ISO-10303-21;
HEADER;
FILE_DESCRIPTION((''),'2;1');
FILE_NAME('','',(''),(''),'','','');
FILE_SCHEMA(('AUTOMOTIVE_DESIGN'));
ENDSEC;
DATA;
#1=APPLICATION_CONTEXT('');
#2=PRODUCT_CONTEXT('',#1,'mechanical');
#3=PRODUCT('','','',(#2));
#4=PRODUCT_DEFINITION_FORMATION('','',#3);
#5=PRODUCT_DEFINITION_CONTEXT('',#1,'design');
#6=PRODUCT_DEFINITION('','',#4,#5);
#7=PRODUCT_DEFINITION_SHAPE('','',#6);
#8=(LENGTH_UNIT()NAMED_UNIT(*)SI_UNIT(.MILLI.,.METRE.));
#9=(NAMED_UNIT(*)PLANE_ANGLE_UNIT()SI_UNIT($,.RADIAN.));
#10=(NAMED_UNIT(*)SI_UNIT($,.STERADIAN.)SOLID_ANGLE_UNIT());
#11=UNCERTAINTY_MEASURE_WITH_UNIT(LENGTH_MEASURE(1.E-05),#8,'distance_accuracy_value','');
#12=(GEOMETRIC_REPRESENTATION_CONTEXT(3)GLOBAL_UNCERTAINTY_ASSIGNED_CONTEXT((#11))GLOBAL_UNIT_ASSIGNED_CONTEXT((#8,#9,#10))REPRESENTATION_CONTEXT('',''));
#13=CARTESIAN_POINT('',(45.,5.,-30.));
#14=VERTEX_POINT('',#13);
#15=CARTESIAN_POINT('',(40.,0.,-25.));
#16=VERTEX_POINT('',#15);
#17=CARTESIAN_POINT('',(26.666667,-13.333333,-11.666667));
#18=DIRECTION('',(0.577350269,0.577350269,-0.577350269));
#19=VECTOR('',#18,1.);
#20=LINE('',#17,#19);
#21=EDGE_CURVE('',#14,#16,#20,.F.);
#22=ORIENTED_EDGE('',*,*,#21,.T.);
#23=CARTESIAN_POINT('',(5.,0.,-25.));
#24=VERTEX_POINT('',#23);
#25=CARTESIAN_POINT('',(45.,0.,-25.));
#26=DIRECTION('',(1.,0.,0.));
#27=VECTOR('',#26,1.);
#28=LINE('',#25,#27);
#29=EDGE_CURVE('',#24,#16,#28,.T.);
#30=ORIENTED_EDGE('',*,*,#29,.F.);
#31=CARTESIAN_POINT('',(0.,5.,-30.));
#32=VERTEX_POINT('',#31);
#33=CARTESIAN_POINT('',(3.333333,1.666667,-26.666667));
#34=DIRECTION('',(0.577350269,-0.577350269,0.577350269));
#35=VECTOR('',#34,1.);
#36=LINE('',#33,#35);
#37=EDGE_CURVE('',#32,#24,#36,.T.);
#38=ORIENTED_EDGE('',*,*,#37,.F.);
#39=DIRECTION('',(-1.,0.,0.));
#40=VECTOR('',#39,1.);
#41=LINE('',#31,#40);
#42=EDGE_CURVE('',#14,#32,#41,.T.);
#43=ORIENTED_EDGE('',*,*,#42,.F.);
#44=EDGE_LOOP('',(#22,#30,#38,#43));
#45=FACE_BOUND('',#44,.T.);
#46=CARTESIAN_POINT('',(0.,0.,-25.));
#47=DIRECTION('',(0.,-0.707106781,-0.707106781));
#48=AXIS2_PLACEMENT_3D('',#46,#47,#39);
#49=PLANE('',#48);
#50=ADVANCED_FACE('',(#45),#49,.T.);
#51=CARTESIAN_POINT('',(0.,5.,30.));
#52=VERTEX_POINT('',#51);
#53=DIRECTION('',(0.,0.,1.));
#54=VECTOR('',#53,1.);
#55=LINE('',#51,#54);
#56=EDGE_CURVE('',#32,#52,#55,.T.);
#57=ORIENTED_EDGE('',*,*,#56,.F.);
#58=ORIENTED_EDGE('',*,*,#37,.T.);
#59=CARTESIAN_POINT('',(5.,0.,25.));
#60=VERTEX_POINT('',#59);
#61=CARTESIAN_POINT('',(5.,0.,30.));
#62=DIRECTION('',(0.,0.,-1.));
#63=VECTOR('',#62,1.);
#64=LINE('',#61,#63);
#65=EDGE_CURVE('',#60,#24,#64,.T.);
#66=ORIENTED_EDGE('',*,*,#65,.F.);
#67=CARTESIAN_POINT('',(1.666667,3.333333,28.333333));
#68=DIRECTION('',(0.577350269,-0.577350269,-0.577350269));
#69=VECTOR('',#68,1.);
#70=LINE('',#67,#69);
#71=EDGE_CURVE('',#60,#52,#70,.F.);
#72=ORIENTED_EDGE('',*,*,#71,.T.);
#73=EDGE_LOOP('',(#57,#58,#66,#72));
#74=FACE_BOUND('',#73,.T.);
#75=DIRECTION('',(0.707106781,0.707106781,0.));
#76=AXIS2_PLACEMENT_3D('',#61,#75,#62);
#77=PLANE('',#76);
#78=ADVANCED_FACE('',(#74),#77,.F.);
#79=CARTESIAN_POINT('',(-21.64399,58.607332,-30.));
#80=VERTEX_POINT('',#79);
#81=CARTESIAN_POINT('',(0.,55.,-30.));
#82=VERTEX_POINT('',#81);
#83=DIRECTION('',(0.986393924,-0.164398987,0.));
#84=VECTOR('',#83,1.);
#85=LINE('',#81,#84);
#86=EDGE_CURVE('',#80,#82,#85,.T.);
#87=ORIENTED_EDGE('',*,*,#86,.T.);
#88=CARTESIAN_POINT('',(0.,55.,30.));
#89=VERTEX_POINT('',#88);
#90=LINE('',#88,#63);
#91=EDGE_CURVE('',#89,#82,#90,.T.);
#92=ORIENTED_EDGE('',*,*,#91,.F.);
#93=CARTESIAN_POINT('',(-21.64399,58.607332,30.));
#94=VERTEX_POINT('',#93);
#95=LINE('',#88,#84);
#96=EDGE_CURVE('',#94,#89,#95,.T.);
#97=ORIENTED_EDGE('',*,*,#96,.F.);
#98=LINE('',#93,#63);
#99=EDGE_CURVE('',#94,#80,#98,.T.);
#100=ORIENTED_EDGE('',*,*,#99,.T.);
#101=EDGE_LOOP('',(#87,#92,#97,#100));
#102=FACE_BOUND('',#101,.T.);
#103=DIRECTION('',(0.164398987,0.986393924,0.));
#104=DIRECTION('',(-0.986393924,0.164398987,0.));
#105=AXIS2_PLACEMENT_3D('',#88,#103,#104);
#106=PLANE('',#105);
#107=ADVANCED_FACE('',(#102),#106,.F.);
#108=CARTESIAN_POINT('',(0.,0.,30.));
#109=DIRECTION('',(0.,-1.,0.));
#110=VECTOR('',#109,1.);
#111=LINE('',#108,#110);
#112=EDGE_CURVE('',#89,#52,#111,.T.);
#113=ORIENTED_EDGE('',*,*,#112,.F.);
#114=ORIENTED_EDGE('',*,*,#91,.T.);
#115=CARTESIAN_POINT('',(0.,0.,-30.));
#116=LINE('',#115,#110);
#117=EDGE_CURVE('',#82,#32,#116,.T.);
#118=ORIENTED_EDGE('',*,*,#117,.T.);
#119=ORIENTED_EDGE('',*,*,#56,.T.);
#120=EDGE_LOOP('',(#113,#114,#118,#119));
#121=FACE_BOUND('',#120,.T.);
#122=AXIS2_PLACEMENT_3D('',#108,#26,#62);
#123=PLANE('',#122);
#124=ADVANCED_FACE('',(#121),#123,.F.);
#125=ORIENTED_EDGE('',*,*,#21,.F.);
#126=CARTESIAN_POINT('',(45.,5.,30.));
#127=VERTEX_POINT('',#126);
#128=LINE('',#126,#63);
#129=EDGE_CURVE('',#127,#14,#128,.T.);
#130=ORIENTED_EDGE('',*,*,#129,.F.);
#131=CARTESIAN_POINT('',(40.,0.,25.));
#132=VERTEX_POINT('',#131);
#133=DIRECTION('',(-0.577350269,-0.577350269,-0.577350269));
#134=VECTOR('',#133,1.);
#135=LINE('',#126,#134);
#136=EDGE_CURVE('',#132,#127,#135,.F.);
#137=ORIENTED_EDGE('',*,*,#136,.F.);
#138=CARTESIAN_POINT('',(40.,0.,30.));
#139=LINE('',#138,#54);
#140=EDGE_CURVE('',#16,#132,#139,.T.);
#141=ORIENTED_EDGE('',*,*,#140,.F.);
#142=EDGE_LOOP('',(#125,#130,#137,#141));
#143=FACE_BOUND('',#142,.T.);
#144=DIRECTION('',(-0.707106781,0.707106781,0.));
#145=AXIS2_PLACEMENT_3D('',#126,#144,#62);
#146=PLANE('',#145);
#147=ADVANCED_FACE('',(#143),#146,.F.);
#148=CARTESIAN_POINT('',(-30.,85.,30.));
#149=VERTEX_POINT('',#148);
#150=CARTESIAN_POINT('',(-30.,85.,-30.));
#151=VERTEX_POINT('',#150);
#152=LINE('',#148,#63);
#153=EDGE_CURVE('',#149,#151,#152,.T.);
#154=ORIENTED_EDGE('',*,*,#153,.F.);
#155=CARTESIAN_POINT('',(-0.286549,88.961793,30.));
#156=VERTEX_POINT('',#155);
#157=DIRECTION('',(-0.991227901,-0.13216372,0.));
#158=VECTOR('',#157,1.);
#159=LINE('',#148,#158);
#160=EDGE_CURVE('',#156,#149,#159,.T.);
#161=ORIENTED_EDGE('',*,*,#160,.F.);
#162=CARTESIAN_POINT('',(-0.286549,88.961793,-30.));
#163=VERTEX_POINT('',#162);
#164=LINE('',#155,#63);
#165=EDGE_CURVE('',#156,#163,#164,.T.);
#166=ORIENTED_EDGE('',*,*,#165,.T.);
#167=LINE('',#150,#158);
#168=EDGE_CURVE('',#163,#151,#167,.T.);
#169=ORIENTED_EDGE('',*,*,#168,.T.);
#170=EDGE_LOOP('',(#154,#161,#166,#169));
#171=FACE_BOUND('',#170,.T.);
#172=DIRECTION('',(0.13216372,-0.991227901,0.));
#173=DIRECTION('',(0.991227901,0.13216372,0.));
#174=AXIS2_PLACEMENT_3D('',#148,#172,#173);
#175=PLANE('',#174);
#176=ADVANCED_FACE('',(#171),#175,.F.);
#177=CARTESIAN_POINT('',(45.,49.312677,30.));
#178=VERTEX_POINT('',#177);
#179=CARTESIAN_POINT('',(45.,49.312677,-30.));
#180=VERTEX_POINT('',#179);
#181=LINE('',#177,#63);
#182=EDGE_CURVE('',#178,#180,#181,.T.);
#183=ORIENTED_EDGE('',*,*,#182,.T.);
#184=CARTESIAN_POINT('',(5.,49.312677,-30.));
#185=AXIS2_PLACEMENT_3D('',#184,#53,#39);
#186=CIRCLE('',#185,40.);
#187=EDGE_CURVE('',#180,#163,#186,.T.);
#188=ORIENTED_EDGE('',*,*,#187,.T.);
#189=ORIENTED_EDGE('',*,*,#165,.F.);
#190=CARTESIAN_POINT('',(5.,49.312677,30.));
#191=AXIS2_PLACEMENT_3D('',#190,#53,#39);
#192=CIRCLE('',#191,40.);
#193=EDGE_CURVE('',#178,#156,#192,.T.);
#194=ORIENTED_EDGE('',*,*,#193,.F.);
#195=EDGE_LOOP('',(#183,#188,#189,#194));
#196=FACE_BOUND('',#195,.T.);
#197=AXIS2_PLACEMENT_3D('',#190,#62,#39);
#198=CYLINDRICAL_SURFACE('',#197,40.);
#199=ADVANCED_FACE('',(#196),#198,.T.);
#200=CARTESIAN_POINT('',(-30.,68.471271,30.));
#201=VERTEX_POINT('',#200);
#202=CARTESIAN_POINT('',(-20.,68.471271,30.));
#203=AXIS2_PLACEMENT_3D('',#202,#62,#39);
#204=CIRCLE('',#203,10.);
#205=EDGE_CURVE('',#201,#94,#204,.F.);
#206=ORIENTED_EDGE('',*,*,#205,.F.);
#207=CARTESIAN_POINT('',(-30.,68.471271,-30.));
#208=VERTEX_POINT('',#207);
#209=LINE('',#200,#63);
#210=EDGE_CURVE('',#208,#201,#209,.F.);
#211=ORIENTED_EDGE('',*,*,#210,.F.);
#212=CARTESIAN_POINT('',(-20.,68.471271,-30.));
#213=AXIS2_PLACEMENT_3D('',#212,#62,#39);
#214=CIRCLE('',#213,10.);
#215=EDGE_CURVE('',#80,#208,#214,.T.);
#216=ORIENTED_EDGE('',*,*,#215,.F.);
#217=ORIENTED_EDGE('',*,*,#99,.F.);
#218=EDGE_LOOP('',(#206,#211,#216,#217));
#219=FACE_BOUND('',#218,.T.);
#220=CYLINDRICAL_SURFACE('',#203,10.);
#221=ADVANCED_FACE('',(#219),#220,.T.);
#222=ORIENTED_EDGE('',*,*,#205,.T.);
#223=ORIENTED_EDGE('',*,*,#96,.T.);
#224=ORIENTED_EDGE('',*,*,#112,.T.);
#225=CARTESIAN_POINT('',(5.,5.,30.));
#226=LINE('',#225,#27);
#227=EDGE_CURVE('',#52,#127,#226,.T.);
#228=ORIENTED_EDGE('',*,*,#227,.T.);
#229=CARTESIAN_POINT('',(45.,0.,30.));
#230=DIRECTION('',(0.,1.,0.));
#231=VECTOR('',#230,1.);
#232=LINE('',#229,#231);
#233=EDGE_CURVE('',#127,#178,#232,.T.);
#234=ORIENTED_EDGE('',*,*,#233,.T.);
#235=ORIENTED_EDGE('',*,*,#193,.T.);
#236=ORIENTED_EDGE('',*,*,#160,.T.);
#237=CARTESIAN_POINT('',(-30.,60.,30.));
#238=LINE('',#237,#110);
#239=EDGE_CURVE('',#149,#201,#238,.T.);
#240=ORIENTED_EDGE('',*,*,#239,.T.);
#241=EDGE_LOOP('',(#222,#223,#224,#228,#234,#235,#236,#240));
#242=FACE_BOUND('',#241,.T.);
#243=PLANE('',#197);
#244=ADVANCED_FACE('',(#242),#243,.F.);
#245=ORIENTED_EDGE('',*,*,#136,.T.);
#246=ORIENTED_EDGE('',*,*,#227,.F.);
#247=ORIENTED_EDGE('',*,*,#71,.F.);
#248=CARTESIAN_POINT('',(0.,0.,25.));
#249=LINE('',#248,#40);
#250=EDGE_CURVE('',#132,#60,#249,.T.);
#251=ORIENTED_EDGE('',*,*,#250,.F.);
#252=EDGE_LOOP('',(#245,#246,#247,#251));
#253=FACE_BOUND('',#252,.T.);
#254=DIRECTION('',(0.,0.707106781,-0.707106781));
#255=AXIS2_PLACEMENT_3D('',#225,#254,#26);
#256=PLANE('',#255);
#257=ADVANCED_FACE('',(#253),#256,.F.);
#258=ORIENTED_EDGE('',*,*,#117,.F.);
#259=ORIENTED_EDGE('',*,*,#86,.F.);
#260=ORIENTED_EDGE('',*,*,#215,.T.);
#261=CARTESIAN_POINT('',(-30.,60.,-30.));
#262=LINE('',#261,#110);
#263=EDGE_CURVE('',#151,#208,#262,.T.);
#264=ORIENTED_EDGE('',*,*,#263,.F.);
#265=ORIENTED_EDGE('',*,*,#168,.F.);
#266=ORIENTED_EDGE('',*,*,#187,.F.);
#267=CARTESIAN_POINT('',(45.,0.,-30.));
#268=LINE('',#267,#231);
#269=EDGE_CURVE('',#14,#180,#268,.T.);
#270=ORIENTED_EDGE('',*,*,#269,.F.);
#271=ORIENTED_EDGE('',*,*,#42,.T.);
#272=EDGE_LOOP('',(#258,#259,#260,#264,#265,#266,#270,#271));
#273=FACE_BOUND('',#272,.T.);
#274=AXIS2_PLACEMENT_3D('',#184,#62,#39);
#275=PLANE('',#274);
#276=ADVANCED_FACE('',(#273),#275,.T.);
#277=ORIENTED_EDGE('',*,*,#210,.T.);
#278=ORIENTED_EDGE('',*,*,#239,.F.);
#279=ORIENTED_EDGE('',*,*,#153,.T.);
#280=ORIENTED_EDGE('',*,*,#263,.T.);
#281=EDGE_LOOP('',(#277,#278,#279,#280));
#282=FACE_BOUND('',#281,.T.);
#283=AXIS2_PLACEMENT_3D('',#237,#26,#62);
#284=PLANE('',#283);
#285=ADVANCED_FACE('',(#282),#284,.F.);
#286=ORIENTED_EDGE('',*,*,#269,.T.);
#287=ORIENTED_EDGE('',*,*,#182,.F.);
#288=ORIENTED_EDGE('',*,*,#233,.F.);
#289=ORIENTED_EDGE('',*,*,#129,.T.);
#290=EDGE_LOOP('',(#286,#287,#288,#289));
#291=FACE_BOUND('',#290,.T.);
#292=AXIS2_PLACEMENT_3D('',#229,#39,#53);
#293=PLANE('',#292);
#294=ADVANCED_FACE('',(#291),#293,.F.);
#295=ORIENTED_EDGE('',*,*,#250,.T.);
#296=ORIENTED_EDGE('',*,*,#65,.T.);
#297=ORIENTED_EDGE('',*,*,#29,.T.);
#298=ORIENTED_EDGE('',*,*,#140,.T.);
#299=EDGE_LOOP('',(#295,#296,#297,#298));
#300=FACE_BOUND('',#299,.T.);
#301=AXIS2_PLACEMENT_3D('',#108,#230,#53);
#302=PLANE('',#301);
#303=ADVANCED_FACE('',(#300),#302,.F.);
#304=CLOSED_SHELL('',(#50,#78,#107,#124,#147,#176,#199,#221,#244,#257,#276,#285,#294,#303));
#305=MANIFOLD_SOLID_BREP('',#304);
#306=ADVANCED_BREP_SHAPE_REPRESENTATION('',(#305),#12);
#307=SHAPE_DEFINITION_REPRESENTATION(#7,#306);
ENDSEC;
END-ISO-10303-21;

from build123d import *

# Parameters (mm, degrees)
EXTRUDE_1_DEPTH = 30
CHAMFER_1_SIZE  = 5
FILLET_1_R      = 10


with BuildPart() as part:
    # 草图1 → 凸台-拉伸1 (new, symmetric)
    with BuildSketch(Plane.XY):
        with BuildLine():
            Line((0, 0), (0, 55))
            Line((0, 55), (-30, 60))
            Line((-30, 60), (-30, 85))
            Line((-30, 85), (-0.286548804, 88.961793493))
            ThreePointArc((-0.286548804, 88.961793493), (31.348985254, 79.40804216), (45, 49.312677466))
            Line((45, 49.312677466), (45, 0))
            Line((45, 0), (0, 0))
        make_face()
    extrude(amount=EXTRUDE_1_DEPTH, both=True)

    # 倒角1
    chamfer_1_edges = [part.edges().sort_by_distance(p)[0] for p in [
        (0, 0, 0),
        (45, 0, 0),
        (22.5, 0, 30),
        (22.5, 0, -30),
    ]]
    chamfer(chamfer_1_edges, length=CHAMFER_1_SIZE)

    # 圆角1
    fillet_1_edges = [part.edges().sort_by_distance(p)[0] for p in [
        (-30, 60, 0),
    ]]
    fillet(fillet_1_edges, radius=FILLET_1_R)


solid = part.part
